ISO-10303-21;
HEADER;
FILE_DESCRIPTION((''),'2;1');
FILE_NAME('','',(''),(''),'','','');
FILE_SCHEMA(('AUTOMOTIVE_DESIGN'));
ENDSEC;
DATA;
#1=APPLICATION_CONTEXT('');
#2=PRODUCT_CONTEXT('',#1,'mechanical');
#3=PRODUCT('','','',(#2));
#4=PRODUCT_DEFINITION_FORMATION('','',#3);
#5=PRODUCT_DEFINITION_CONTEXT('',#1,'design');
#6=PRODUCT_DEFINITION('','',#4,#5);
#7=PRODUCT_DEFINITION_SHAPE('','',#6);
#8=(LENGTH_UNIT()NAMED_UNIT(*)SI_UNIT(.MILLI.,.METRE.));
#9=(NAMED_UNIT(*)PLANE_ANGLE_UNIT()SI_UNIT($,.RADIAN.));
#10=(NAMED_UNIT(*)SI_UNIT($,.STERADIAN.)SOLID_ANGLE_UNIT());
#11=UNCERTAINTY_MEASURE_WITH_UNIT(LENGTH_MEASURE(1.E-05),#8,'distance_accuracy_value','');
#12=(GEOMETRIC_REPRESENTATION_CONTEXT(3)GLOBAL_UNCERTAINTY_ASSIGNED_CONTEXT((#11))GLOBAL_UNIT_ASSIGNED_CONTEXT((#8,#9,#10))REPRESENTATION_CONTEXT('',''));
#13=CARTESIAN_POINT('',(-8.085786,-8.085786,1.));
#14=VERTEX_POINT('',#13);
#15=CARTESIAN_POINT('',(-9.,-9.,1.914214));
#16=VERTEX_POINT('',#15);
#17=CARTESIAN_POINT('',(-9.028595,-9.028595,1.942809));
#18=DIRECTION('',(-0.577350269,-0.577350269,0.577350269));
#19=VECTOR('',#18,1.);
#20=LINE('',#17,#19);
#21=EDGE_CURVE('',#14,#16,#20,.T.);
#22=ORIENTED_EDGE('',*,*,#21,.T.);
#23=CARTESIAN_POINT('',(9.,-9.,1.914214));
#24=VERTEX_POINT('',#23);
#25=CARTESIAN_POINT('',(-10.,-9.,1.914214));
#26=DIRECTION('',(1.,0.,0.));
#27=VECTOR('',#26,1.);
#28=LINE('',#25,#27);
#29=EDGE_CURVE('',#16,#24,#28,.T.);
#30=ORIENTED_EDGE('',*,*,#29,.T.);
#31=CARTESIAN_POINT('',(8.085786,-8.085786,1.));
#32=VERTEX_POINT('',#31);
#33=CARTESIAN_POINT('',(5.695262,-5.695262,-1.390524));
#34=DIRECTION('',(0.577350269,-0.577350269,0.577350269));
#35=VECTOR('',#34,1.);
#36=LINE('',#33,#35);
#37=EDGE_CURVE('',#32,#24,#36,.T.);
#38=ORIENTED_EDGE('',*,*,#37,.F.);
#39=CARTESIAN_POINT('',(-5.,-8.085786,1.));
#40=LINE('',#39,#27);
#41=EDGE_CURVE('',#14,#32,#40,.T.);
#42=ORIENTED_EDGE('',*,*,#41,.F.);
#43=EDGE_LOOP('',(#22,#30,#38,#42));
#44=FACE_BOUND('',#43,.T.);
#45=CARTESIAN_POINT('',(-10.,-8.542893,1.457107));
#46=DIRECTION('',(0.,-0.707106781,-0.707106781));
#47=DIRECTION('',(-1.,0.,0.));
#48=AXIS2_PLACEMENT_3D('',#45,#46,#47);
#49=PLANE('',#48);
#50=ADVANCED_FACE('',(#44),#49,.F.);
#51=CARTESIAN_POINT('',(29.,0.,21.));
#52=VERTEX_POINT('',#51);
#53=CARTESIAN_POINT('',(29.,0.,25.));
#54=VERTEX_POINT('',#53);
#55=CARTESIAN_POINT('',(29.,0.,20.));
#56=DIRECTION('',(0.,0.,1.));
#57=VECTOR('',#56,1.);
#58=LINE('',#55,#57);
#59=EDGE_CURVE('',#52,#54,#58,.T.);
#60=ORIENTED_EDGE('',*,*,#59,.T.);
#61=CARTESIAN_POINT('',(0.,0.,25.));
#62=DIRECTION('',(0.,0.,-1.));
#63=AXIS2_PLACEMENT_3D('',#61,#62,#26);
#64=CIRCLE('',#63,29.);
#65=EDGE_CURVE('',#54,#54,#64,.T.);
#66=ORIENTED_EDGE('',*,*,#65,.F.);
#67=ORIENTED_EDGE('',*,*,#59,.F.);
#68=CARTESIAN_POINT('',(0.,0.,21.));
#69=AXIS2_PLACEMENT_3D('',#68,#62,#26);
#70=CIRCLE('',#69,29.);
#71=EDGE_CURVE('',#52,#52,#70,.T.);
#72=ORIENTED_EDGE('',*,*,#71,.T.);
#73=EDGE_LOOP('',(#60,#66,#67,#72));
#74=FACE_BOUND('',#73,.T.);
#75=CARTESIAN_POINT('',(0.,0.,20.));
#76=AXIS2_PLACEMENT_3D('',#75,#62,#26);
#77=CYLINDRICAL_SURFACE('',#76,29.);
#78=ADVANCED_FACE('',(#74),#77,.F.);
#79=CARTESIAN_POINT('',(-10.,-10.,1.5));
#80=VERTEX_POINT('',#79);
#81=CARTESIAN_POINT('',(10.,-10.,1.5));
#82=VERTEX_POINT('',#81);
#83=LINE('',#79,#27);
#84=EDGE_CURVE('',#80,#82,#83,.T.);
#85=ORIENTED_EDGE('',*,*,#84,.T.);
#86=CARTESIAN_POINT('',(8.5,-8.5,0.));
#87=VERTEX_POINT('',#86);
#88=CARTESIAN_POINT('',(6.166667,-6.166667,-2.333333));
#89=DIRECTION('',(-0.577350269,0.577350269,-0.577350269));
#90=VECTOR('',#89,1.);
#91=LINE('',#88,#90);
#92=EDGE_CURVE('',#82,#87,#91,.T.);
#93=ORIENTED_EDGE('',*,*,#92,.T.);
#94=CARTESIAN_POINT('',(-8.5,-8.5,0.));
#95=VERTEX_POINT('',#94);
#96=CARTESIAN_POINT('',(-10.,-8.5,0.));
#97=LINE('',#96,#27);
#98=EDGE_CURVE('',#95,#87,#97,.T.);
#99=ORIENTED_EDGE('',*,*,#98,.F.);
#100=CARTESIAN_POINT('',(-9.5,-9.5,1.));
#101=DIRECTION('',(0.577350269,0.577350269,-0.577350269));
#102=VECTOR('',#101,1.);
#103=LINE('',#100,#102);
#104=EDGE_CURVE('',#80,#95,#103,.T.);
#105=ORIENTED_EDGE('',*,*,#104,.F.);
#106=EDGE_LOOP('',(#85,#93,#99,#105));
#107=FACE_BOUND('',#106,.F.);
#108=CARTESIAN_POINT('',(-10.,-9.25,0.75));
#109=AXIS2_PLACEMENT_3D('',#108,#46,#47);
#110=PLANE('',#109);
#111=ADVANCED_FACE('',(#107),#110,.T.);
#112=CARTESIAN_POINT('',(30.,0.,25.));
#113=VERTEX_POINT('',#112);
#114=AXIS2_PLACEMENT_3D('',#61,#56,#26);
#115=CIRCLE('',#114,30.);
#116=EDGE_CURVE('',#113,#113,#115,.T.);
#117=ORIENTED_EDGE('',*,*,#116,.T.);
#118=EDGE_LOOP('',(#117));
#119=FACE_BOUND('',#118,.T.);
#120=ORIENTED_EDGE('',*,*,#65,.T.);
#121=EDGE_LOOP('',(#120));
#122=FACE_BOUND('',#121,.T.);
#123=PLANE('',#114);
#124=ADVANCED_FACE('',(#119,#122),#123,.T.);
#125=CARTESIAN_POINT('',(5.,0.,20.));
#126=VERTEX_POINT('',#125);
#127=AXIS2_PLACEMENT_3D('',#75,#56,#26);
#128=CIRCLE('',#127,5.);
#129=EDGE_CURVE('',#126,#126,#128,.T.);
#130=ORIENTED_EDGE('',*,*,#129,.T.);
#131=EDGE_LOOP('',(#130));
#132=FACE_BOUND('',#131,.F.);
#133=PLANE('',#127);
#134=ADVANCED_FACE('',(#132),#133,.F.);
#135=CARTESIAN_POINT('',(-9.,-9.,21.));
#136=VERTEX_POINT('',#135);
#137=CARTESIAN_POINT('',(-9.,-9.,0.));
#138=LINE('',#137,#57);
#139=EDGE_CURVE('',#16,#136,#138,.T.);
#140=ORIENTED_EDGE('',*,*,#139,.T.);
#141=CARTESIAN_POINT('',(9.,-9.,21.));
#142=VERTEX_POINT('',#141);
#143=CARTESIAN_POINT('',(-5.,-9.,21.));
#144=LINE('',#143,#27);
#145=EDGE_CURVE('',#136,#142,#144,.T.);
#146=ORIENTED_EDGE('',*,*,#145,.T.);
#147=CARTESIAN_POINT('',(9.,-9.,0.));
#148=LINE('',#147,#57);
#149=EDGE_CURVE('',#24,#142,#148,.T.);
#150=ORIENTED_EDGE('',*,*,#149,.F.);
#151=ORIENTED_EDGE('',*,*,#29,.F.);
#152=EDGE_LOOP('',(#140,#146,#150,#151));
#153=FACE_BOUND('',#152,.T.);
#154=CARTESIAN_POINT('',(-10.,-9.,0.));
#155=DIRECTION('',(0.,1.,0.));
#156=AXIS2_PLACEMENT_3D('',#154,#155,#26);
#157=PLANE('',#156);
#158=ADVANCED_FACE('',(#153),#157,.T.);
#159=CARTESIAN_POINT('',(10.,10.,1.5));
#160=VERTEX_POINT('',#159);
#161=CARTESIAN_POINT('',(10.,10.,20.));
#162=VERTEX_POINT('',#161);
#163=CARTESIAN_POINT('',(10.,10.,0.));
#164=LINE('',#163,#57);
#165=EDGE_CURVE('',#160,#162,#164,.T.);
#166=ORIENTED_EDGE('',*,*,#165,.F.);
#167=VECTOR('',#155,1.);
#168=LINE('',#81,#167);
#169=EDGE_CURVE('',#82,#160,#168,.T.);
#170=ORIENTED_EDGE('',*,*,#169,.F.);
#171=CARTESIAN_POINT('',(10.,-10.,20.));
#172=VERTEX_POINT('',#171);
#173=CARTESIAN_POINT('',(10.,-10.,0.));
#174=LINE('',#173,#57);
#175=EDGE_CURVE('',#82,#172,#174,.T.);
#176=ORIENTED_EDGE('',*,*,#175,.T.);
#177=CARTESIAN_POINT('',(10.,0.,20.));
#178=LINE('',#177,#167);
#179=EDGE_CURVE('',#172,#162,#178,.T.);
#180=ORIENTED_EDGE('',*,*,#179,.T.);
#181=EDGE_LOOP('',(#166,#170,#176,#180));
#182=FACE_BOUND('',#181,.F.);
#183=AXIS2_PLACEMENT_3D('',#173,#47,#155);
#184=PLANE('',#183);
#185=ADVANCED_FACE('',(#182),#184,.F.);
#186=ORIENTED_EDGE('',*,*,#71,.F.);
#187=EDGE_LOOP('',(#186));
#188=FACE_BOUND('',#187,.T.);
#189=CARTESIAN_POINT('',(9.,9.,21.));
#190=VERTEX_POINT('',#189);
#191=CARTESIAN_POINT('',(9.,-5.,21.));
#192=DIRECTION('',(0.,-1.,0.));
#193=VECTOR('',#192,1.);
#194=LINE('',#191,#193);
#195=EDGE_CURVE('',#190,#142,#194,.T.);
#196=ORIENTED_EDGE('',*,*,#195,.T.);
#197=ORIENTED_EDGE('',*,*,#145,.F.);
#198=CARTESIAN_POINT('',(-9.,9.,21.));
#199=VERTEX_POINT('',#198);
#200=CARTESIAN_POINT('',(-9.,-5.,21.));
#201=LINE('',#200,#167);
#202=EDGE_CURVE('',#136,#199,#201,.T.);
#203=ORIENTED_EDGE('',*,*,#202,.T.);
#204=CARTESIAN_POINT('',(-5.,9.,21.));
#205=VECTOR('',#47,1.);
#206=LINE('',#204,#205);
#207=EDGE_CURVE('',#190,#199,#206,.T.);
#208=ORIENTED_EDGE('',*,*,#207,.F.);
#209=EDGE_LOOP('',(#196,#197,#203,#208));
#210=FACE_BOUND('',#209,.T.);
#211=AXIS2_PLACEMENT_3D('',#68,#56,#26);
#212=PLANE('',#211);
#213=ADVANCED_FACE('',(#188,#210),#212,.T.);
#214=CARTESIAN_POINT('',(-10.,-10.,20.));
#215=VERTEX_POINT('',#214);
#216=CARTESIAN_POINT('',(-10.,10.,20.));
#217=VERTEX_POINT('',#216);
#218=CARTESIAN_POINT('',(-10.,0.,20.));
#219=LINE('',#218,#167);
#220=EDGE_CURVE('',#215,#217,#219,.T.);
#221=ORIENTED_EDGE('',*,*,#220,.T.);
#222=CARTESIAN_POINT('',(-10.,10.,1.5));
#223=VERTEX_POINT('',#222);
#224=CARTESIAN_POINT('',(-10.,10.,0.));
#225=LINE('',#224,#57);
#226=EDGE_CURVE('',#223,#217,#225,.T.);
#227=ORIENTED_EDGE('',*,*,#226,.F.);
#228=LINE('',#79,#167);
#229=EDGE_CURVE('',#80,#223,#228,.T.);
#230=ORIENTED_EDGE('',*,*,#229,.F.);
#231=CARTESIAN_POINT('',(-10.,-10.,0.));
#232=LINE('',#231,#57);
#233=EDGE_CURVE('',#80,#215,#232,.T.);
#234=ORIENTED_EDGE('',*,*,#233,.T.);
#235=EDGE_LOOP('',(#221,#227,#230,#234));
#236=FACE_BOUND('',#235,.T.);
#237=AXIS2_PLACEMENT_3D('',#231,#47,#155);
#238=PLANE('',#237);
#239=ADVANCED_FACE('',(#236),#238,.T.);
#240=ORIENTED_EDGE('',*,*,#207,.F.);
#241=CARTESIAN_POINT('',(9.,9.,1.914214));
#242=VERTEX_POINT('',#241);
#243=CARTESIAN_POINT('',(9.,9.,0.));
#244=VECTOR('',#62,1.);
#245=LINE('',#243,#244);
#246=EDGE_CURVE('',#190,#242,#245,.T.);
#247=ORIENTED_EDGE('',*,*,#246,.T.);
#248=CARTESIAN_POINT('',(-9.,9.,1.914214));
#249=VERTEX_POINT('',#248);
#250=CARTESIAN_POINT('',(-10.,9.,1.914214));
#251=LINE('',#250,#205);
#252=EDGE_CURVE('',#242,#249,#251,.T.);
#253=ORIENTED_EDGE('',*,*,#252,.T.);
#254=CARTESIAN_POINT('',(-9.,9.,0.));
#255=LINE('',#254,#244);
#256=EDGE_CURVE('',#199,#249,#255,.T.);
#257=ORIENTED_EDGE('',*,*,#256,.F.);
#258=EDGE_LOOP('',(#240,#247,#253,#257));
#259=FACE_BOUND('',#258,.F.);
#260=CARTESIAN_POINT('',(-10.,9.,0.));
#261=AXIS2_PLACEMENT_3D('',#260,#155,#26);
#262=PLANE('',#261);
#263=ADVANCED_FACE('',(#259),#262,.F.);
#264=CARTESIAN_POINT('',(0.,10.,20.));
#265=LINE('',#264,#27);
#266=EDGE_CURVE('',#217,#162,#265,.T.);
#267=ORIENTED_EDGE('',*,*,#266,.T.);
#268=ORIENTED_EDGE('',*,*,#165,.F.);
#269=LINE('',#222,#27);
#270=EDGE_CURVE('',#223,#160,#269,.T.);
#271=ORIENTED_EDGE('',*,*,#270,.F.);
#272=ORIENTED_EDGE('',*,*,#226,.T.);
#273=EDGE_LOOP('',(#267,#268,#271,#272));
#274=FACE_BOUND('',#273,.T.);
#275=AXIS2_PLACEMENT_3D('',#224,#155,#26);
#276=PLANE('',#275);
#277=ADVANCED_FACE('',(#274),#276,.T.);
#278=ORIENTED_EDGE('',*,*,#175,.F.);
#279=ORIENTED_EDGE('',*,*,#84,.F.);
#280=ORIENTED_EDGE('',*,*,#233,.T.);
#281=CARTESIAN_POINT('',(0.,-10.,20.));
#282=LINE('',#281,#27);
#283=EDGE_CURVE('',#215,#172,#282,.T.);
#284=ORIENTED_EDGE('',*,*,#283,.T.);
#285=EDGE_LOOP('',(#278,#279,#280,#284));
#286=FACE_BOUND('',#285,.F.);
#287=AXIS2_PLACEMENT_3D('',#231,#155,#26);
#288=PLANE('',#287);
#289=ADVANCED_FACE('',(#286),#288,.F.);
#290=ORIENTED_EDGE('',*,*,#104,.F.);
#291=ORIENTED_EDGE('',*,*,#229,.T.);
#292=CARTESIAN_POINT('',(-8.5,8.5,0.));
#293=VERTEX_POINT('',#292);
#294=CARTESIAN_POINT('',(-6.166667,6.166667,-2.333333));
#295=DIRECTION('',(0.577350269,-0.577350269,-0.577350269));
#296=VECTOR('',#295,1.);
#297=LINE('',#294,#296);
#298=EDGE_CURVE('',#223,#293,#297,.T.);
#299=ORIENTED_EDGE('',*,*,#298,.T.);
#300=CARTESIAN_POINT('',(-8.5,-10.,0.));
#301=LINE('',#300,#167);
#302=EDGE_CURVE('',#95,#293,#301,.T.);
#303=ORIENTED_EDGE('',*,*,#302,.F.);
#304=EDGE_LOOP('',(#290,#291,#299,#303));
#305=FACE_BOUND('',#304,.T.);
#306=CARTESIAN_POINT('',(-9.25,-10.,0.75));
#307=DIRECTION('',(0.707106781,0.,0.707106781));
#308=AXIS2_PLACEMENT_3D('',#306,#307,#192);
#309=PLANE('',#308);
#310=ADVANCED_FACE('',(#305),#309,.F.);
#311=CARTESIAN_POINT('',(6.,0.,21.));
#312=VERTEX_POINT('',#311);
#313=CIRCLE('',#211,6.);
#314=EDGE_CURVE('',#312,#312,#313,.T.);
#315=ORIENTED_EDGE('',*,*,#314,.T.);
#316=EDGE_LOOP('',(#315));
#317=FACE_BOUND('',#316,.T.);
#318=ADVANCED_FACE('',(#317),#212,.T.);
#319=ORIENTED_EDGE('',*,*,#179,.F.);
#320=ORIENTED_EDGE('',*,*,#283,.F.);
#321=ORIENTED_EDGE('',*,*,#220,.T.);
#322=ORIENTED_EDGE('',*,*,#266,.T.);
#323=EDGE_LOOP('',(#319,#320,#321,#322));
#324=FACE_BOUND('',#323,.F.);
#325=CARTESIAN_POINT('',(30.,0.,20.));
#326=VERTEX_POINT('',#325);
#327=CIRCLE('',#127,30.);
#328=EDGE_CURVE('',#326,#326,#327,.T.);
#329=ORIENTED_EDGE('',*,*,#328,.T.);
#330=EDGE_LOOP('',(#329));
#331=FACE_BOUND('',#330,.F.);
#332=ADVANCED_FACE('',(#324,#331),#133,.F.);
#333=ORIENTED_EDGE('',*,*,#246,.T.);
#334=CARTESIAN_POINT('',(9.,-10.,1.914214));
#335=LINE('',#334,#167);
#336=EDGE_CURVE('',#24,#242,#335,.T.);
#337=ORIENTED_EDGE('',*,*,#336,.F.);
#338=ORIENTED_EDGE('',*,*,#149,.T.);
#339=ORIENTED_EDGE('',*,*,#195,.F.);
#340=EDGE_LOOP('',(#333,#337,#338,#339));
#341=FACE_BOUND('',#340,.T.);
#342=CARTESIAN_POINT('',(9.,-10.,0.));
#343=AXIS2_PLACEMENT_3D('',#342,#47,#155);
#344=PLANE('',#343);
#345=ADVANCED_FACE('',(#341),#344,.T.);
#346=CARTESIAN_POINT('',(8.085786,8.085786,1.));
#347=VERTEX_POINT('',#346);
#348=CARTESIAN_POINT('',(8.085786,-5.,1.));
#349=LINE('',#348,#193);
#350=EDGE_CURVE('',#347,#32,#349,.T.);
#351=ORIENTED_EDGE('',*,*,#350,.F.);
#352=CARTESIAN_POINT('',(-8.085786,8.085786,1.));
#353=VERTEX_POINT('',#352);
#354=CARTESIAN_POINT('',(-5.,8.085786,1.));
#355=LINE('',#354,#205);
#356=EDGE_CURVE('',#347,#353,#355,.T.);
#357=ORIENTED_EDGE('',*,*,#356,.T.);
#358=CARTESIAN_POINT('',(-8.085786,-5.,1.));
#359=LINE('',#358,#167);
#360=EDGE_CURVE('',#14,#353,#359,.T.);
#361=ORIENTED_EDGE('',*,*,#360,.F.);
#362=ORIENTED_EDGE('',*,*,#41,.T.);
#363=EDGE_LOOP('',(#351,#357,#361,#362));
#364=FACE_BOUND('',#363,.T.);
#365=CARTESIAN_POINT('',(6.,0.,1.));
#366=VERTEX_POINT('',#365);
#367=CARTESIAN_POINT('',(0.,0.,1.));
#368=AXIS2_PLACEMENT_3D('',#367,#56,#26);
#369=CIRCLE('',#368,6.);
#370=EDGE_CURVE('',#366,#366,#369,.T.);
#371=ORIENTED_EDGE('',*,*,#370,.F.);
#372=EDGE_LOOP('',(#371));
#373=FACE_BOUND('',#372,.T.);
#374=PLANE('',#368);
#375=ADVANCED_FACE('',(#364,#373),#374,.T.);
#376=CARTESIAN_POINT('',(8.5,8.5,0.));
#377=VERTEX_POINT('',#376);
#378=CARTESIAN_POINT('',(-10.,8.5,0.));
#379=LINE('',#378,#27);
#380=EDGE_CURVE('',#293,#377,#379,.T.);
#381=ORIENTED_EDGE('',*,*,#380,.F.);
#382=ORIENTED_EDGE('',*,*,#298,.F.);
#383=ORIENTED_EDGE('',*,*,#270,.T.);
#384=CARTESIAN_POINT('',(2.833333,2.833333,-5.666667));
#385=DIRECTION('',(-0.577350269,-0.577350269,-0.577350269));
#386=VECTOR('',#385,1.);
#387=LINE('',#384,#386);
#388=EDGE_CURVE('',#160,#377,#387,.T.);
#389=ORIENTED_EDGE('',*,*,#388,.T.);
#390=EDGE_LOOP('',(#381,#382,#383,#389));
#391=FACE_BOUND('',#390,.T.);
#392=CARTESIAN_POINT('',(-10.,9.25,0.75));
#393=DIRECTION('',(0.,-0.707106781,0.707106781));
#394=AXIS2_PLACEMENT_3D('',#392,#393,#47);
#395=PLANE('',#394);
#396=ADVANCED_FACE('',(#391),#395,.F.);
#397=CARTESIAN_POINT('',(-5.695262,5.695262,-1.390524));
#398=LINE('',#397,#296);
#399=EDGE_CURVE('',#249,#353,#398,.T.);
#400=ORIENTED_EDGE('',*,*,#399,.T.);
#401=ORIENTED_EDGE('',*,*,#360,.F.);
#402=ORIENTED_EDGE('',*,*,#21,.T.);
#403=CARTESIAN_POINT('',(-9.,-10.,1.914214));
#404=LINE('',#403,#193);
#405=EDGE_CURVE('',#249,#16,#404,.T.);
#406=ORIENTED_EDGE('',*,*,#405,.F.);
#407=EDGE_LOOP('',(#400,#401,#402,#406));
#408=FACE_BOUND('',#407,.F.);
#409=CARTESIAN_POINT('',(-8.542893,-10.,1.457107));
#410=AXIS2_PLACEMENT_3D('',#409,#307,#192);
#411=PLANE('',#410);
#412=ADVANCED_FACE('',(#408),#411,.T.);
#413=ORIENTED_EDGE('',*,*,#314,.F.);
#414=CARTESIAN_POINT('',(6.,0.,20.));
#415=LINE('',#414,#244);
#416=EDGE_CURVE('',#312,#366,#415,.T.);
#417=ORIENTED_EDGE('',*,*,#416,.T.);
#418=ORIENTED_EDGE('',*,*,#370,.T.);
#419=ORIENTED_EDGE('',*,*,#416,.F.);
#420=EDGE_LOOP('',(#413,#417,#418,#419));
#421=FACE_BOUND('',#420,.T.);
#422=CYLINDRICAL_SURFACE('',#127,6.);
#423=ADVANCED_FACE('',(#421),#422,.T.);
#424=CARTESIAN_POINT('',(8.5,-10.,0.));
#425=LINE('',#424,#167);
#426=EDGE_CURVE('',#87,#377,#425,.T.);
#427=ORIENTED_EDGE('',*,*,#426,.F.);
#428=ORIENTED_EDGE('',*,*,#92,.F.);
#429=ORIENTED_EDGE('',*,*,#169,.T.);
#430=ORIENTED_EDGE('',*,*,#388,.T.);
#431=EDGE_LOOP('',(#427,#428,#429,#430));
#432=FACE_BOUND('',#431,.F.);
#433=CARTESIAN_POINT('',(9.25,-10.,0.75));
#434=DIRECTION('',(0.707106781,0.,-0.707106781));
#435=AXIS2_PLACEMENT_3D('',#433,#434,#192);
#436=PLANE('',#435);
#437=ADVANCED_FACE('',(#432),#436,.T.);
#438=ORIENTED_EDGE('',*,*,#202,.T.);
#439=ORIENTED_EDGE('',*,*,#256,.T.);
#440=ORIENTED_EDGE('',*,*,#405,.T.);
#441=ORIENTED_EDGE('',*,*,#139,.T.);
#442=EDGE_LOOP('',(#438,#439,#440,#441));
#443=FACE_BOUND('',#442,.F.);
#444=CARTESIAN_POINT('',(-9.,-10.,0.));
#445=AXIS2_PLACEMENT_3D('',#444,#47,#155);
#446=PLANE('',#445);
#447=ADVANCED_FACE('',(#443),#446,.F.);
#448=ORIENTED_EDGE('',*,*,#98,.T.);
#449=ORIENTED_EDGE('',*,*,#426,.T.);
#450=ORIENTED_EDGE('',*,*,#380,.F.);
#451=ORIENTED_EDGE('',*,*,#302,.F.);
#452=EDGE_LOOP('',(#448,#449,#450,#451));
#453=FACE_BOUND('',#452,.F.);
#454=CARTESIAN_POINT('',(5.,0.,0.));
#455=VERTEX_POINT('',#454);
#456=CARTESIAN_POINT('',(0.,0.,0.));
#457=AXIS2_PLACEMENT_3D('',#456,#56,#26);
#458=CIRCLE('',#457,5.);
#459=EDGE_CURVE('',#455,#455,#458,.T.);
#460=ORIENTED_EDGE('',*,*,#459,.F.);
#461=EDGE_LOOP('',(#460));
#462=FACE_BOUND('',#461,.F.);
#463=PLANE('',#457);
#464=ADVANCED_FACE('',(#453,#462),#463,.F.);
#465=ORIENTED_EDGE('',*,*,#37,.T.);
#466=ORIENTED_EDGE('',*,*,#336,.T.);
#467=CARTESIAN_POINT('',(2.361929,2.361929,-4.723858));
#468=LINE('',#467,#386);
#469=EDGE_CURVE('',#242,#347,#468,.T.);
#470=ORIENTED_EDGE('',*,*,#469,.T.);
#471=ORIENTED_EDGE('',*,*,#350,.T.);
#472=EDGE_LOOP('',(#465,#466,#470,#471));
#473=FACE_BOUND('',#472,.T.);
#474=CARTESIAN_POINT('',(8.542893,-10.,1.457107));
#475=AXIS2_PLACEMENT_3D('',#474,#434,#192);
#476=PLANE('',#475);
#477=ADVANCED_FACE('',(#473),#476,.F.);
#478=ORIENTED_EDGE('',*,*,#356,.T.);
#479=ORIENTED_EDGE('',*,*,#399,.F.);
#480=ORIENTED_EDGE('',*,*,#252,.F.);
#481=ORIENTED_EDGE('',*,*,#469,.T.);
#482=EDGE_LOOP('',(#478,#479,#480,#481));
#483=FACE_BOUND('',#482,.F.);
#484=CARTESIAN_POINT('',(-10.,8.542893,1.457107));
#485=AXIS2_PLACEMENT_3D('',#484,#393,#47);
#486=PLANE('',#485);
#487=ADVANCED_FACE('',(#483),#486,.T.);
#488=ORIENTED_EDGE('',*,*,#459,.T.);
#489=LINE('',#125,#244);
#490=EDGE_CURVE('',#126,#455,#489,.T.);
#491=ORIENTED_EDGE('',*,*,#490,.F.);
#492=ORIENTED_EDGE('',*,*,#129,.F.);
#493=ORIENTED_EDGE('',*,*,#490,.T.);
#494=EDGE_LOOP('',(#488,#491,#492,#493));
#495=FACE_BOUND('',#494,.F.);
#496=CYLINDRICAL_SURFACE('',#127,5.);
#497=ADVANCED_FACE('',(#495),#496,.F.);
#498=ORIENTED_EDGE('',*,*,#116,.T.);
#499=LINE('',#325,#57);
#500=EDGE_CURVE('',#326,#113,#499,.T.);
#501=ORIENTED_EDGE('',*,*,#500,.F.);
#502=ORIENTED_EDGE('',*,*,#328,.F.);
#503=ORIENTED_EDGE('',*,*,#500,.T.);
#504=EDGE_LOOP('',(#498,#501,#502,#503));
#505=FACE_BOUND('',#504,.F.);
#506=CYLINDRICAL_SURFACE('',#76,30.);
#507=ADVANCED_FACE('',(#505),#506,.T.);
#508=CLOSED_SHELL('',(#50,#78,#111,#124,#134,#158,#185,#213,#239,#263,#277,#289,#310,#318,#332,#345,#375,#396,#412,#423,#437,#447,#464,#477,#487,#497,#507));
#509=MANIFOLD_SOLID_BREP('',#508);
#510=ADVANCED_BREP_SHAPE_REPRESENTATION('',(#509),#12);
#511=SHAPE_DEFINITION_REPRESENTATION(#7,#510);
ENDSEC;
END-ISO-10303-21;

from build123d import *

# Parameters (mm, degrees)
F0_W     = 20
F0_H     = 20
F1_DEPTH = 20
F2_R     = 5
F3_DEPTH = 25
F4_R     = 30
F5_DEPTH = 5
F6_SIZE  = 1.5
F7_T     = -1


with BuildPart() as f1:
    # F0 (on Top) → F1 (new body)
    with BuildSketch(Plane.XY):
        Rectangle(F0_W, F0_H)
    extrude(amount=F1_DEPTH)

    # F2 (on face) → F3 (cut)
    with BuildSketch(Plane.XY.offset(20)):
        Circle(F2_R)
    extrude(amount=-F3_DEPTH, mode=Mode.SUBTRACT)

    # F4 (on face) → F5 (join)
    with BuildSketch(Plane.XY.offset(20)):
        Circle(F4_R)
    extrude(amount=F5_DEPTH)

    # F6
    f6_edges = [f1.edges().sort_by_distance(p)[0] for p in [
        (10, 0, 0),
        (0, 10, 0),
        (-10, 0, 0),
        (0, -10, 0),
    ]]
    chamfer(f6_edges, length=F6_SIZE)

    # F7
    f7_openings = [f1.faces().sort_by_distance(p)[0] for p in [
        (0, 0, 25),
    ]]
    offset(amount=F7_T, openings=f7_openings, kind=Kind.INTERSECTION)


solid = f1.part
